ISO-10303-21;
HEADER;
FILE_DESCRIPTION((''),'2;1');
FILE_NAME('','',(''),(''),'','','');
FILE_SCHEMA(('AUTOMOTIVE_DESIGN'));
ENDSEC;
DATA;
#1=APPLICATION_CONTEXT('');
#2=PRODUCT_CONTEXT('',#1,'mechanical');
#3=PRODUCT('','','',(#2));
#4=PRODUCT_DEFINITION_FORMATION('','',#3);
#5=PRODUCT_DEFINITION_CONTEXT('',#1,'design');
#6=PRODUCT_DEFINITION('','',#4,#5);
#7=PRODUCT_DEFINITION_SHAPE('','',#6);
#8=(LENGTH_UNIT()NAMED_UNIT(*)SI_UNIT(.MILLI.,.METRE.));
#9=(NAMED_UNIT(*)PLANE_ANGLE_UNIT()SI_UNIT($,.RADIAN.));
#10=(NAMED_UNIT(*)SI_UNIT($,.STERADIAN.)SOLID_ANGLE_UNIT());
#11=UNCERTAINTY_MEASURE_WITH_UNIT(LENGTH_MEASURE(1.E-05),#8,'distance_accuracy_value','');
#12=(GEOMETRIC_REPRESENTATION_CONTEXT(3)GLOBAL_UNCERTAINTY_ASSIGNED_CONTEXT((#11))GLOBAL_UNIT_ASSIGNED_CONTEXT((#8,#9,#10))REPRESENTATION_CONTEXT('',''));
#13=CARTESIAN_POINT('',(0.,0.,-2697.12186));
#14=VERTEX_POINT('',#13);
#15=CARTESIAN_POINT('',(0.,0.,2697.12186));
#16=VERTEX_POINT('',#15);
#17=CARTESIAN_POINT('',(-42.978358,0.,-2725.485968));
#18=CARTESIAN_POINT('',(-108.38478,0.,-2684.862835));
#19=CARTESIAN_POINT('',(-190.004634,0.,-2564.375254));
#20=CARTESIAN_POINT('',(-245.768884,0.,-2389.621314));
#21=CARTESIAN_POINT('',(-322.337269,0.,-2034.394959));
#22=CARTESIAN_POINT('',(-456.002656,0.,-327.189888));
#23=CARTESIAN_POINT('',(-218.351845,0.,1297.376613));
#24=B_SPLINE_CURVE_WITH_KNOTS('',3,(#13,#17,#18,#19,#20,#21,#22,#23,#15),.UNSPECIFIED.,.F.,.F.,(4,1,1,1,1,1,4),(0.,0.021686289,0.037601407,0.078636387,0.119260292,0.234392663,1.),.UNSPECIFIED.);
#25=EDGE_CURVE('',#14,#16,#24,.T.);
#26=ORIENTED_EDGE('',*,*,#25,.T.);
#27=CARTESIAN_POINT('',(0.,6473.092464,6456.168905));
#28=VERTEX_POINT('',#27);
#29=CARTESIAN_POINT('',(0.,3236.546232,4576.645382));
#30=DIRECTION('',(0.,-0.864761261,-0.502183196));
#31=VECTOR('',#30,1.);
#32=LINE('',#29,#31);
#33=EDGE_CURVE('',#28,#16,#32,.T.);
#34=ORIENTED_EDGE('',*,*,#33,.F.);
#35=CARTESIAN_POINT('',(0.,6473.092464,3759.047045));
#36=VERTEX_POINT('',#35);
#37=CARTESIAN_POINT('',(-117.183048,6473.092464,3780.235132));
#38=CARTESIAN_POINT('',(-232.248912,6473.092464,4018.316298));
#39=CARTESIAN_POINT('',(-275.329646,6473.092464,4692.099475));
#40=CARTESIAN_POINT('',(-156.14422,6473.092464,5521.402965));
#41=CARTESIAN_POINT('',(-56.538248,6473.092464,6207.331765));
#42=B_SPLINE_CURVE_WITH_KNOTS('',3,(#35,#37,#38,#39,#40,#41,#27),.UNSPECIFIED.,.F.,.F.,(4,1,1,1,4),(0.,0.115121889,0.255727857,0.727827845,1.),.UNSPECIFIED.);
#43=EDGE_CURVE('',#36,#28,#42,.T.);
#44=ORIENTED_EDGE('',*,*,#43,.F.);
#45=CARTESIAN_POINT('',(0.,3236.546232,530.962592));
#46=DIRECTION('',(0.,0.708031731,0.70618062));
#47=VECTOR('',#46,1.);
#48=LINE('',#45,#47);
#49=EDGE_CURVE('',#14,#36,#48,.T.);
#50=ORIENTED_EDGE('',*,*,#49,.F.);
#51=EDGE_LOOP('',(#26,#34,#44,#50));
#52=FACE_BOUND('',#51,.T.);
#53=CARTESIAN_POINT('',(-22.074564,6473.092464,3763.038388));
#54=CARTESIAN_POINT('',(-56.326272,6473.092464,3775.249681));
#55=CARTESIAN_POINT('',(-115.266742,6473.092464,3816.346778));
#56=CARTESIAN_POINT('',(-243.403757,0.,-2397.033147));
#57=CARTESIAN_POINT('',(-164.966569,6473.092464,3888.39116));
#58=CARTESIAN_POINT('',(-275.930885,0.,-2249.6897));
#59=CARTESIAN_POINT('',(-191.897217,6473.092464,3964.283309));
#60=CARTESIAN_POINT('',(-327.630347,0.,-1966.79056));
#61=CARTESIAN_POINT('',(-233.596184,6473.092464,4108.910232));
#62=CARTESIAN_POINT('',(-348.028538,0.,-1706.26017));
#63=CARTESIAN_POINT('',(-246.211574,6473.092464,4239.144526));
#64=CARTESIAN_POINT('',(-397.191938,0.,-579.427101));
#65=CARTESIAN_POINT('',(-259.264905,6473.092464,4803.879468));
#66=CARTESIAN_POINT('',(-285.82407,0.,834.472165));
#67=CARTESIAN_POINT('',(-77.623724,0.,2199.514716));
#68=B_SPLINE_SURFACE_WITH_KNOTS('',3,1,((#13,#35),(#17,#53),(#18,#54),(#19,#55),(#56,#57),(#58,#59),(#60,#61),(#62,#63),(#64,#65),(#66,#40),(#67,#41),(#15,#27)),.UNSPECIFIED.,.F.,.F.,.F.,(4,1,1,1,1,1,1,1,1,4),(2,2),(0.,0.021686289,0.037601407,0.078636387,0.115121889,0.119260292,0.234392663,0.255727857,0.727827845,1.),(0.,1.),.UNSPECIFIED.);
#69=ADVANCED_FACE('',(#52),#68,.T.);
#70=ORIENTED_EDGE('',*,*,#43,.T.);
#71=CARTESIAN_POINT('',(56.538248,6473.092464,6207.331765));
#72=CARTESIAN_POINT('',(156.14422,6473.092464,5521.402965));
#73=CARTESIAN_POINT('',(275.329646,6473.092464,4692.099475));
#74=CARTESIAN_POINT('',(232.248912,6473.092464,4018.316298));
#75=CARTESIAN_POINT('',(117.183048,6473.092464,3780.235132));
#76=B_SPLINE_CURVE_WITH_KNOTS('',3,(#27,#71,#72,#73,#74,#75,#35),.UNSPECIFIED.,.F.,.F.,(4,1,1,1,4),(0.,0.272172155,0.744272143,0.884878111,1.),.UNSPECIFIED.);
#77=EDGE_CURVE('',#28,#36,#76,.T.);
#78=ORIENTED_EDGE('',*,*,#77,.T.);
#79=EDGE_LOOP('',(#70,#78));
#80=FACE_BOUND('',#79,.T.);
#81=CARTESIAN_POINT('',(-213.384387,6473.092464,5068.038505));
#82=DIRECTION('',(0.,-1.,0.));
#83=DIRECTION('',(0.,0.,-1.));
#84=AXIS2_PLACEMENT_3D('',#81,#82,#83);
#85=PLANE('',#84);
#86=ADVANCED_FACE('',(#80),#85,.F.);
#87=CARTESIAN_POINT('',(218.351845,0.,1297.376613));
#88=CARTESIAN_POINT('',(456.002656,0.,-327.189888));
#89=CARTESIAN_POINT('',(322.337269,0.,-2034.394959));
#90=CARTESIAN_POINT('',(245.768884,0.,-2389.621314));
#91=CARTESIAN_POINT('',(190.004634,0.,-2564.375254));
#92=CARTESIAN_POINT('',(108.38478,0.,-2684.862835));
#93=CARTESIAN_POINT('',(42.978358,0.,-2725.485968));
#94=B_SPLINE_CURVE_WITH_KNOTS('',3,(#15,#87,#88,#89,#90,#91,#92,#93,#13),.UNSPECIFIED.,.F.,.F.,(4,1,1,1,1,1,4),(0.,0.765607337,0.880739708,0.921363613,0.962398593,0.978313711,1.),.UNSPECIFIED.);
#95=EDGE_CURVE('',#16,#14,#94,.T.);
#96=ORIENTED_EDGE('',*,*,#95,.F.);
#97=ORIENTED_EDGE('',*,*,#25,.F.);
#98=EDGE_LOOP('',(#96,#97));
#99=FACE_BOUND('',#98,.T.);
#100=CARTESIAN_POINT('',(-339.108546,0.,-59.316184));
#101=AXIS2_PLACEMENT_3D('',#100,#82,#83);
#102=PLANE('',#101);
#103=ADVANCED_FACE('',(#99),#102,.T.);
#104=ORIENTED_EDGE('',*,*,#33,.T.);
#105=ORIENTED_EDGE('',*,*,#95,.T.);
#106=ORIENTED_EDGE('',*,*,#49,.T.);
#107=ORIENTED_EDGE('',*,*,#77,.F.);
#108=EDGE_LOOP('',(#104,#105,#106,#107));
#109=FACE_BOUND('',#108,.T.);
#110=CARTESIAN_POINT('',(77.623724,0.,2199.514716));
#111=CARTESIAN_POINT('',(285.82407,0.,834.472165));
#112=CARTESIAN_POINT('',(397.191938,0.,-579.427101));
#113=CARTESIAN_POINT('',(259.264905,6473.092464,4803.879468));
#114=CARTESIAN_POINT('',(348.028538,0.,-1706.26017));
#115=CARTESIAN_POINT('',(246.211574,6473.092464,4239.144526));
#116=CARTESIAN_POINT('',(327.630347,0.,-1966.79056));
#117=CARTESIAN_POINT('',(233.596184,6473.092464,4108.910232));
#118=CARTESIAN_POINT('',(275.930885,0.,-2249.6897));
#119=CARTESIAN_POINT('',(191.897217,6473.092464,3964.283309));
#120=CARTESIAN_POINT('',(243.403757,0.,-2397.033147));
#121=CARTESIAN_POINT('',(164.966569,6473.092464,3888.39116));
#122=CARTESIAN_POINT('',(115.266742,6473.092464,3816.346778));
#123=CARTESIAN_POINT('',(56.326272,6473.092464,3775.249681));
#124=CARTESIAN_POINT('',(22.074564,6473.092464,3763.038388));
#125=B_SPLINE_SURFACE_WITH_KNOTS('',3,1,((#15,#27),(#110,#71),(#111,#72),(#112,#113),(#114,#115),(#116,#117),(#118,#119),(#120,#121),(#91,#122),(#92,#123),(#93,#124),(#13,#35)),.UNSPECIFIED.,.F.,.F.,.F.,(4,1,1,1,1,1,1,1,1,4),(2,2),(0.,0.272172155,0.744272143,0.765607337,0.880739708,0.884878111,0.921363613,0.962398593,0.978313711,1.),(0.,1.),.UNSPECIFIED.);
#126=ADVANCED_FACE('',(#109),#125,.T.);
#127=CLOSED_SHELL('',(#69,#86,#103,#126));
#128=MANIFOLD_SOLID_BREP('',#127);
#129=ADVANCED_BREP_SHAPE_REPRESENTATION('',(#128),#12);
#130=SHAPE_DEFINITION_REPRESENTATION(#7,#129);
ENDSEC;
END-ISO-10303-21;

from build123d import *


with BuildPart() as part:
    # Sketch1 → Loft2 section 0
    with BuildSketch(Plane(origin=(0, 0, 0), x_dir=(1, 0, 0), z_dir=(0, 1, 0))):
        with BuildLine():
            add(Edge.make_bspline(
                [(0, 2697.12186), (42.978357959, 2725.485967523), (108.384780477, 2684.862834608), (190.004634208, 2564.375253561), (245.768884065, 2389.621314107), (322.337269458, 2034.394958927), (456.002656292, 327.1898881), (218.351845038, -1297.37661347), (0, -2697.12186)],
                knots=[0, 0, 0, 0, 0.021686289, 0.037601407, 0.078636387, 0.119260292, 0.234392663, 1, 1, 1, 1], degree=3))
            add(Edge.make_bspline(
                [(0, 2697.12186), (-42.978357959, 2725.485967523), (-108.384780477, 2684.862834608), (-190.004634208, 2564.375253561), (-245.768884065, 2389.621314107), (-322.337269458, 2034.394958927), (-456.002656292, 327.1898881), (-218.351845038, -1297.37661347), (0, -2697.12186)],
                knots=[0, 0, 0, 0, 0.021686289, 0.037601407, 0.078636387, 0.119260292, 0.234392663, 1, 1, 1, 1], degree=3))
        make_face()
    # Sketch3 → Loft2 section 1
    with BuildSketch(Plane(origin=(0, 6473.092464, 0), x_dir=(1, 0, 0), z_dir=(0, 1, 0))):
        with BuildLine():
            add(Edge.make_bspline(
                [(0, -3759.047044699), (117.183048171, -3780.235132032), (232.248911786, -4018.316297807), (275.329646145, -4692.099474576), (156.144219855, -5521.40296522), (56.538248146, -6207.331764736), (0, -6456.168904699)],
                knots=[0, 0, 0, 0, 0.115121889, 0.255727857, 0.727827845, 1, 1, 1, 1], degree=3))
            add(Edge.make_bspline(
                [(0, -3759.047044699), (-117.183048171, -3780.235132032), (-232.248911786, -4018.316297807), (-275.329646145, -4692.099474576), (-156.144219855, -5521.40296522), (-56.538248146, -6207.331764736), (0, -6456.168904699)],
                knots=[0, 0, 0, 0, 0.115121889, 0.255727857, 0.727827845, 1, 1, 1, 1], degree=3))
        make_face()
    loft()


solid = part.part
